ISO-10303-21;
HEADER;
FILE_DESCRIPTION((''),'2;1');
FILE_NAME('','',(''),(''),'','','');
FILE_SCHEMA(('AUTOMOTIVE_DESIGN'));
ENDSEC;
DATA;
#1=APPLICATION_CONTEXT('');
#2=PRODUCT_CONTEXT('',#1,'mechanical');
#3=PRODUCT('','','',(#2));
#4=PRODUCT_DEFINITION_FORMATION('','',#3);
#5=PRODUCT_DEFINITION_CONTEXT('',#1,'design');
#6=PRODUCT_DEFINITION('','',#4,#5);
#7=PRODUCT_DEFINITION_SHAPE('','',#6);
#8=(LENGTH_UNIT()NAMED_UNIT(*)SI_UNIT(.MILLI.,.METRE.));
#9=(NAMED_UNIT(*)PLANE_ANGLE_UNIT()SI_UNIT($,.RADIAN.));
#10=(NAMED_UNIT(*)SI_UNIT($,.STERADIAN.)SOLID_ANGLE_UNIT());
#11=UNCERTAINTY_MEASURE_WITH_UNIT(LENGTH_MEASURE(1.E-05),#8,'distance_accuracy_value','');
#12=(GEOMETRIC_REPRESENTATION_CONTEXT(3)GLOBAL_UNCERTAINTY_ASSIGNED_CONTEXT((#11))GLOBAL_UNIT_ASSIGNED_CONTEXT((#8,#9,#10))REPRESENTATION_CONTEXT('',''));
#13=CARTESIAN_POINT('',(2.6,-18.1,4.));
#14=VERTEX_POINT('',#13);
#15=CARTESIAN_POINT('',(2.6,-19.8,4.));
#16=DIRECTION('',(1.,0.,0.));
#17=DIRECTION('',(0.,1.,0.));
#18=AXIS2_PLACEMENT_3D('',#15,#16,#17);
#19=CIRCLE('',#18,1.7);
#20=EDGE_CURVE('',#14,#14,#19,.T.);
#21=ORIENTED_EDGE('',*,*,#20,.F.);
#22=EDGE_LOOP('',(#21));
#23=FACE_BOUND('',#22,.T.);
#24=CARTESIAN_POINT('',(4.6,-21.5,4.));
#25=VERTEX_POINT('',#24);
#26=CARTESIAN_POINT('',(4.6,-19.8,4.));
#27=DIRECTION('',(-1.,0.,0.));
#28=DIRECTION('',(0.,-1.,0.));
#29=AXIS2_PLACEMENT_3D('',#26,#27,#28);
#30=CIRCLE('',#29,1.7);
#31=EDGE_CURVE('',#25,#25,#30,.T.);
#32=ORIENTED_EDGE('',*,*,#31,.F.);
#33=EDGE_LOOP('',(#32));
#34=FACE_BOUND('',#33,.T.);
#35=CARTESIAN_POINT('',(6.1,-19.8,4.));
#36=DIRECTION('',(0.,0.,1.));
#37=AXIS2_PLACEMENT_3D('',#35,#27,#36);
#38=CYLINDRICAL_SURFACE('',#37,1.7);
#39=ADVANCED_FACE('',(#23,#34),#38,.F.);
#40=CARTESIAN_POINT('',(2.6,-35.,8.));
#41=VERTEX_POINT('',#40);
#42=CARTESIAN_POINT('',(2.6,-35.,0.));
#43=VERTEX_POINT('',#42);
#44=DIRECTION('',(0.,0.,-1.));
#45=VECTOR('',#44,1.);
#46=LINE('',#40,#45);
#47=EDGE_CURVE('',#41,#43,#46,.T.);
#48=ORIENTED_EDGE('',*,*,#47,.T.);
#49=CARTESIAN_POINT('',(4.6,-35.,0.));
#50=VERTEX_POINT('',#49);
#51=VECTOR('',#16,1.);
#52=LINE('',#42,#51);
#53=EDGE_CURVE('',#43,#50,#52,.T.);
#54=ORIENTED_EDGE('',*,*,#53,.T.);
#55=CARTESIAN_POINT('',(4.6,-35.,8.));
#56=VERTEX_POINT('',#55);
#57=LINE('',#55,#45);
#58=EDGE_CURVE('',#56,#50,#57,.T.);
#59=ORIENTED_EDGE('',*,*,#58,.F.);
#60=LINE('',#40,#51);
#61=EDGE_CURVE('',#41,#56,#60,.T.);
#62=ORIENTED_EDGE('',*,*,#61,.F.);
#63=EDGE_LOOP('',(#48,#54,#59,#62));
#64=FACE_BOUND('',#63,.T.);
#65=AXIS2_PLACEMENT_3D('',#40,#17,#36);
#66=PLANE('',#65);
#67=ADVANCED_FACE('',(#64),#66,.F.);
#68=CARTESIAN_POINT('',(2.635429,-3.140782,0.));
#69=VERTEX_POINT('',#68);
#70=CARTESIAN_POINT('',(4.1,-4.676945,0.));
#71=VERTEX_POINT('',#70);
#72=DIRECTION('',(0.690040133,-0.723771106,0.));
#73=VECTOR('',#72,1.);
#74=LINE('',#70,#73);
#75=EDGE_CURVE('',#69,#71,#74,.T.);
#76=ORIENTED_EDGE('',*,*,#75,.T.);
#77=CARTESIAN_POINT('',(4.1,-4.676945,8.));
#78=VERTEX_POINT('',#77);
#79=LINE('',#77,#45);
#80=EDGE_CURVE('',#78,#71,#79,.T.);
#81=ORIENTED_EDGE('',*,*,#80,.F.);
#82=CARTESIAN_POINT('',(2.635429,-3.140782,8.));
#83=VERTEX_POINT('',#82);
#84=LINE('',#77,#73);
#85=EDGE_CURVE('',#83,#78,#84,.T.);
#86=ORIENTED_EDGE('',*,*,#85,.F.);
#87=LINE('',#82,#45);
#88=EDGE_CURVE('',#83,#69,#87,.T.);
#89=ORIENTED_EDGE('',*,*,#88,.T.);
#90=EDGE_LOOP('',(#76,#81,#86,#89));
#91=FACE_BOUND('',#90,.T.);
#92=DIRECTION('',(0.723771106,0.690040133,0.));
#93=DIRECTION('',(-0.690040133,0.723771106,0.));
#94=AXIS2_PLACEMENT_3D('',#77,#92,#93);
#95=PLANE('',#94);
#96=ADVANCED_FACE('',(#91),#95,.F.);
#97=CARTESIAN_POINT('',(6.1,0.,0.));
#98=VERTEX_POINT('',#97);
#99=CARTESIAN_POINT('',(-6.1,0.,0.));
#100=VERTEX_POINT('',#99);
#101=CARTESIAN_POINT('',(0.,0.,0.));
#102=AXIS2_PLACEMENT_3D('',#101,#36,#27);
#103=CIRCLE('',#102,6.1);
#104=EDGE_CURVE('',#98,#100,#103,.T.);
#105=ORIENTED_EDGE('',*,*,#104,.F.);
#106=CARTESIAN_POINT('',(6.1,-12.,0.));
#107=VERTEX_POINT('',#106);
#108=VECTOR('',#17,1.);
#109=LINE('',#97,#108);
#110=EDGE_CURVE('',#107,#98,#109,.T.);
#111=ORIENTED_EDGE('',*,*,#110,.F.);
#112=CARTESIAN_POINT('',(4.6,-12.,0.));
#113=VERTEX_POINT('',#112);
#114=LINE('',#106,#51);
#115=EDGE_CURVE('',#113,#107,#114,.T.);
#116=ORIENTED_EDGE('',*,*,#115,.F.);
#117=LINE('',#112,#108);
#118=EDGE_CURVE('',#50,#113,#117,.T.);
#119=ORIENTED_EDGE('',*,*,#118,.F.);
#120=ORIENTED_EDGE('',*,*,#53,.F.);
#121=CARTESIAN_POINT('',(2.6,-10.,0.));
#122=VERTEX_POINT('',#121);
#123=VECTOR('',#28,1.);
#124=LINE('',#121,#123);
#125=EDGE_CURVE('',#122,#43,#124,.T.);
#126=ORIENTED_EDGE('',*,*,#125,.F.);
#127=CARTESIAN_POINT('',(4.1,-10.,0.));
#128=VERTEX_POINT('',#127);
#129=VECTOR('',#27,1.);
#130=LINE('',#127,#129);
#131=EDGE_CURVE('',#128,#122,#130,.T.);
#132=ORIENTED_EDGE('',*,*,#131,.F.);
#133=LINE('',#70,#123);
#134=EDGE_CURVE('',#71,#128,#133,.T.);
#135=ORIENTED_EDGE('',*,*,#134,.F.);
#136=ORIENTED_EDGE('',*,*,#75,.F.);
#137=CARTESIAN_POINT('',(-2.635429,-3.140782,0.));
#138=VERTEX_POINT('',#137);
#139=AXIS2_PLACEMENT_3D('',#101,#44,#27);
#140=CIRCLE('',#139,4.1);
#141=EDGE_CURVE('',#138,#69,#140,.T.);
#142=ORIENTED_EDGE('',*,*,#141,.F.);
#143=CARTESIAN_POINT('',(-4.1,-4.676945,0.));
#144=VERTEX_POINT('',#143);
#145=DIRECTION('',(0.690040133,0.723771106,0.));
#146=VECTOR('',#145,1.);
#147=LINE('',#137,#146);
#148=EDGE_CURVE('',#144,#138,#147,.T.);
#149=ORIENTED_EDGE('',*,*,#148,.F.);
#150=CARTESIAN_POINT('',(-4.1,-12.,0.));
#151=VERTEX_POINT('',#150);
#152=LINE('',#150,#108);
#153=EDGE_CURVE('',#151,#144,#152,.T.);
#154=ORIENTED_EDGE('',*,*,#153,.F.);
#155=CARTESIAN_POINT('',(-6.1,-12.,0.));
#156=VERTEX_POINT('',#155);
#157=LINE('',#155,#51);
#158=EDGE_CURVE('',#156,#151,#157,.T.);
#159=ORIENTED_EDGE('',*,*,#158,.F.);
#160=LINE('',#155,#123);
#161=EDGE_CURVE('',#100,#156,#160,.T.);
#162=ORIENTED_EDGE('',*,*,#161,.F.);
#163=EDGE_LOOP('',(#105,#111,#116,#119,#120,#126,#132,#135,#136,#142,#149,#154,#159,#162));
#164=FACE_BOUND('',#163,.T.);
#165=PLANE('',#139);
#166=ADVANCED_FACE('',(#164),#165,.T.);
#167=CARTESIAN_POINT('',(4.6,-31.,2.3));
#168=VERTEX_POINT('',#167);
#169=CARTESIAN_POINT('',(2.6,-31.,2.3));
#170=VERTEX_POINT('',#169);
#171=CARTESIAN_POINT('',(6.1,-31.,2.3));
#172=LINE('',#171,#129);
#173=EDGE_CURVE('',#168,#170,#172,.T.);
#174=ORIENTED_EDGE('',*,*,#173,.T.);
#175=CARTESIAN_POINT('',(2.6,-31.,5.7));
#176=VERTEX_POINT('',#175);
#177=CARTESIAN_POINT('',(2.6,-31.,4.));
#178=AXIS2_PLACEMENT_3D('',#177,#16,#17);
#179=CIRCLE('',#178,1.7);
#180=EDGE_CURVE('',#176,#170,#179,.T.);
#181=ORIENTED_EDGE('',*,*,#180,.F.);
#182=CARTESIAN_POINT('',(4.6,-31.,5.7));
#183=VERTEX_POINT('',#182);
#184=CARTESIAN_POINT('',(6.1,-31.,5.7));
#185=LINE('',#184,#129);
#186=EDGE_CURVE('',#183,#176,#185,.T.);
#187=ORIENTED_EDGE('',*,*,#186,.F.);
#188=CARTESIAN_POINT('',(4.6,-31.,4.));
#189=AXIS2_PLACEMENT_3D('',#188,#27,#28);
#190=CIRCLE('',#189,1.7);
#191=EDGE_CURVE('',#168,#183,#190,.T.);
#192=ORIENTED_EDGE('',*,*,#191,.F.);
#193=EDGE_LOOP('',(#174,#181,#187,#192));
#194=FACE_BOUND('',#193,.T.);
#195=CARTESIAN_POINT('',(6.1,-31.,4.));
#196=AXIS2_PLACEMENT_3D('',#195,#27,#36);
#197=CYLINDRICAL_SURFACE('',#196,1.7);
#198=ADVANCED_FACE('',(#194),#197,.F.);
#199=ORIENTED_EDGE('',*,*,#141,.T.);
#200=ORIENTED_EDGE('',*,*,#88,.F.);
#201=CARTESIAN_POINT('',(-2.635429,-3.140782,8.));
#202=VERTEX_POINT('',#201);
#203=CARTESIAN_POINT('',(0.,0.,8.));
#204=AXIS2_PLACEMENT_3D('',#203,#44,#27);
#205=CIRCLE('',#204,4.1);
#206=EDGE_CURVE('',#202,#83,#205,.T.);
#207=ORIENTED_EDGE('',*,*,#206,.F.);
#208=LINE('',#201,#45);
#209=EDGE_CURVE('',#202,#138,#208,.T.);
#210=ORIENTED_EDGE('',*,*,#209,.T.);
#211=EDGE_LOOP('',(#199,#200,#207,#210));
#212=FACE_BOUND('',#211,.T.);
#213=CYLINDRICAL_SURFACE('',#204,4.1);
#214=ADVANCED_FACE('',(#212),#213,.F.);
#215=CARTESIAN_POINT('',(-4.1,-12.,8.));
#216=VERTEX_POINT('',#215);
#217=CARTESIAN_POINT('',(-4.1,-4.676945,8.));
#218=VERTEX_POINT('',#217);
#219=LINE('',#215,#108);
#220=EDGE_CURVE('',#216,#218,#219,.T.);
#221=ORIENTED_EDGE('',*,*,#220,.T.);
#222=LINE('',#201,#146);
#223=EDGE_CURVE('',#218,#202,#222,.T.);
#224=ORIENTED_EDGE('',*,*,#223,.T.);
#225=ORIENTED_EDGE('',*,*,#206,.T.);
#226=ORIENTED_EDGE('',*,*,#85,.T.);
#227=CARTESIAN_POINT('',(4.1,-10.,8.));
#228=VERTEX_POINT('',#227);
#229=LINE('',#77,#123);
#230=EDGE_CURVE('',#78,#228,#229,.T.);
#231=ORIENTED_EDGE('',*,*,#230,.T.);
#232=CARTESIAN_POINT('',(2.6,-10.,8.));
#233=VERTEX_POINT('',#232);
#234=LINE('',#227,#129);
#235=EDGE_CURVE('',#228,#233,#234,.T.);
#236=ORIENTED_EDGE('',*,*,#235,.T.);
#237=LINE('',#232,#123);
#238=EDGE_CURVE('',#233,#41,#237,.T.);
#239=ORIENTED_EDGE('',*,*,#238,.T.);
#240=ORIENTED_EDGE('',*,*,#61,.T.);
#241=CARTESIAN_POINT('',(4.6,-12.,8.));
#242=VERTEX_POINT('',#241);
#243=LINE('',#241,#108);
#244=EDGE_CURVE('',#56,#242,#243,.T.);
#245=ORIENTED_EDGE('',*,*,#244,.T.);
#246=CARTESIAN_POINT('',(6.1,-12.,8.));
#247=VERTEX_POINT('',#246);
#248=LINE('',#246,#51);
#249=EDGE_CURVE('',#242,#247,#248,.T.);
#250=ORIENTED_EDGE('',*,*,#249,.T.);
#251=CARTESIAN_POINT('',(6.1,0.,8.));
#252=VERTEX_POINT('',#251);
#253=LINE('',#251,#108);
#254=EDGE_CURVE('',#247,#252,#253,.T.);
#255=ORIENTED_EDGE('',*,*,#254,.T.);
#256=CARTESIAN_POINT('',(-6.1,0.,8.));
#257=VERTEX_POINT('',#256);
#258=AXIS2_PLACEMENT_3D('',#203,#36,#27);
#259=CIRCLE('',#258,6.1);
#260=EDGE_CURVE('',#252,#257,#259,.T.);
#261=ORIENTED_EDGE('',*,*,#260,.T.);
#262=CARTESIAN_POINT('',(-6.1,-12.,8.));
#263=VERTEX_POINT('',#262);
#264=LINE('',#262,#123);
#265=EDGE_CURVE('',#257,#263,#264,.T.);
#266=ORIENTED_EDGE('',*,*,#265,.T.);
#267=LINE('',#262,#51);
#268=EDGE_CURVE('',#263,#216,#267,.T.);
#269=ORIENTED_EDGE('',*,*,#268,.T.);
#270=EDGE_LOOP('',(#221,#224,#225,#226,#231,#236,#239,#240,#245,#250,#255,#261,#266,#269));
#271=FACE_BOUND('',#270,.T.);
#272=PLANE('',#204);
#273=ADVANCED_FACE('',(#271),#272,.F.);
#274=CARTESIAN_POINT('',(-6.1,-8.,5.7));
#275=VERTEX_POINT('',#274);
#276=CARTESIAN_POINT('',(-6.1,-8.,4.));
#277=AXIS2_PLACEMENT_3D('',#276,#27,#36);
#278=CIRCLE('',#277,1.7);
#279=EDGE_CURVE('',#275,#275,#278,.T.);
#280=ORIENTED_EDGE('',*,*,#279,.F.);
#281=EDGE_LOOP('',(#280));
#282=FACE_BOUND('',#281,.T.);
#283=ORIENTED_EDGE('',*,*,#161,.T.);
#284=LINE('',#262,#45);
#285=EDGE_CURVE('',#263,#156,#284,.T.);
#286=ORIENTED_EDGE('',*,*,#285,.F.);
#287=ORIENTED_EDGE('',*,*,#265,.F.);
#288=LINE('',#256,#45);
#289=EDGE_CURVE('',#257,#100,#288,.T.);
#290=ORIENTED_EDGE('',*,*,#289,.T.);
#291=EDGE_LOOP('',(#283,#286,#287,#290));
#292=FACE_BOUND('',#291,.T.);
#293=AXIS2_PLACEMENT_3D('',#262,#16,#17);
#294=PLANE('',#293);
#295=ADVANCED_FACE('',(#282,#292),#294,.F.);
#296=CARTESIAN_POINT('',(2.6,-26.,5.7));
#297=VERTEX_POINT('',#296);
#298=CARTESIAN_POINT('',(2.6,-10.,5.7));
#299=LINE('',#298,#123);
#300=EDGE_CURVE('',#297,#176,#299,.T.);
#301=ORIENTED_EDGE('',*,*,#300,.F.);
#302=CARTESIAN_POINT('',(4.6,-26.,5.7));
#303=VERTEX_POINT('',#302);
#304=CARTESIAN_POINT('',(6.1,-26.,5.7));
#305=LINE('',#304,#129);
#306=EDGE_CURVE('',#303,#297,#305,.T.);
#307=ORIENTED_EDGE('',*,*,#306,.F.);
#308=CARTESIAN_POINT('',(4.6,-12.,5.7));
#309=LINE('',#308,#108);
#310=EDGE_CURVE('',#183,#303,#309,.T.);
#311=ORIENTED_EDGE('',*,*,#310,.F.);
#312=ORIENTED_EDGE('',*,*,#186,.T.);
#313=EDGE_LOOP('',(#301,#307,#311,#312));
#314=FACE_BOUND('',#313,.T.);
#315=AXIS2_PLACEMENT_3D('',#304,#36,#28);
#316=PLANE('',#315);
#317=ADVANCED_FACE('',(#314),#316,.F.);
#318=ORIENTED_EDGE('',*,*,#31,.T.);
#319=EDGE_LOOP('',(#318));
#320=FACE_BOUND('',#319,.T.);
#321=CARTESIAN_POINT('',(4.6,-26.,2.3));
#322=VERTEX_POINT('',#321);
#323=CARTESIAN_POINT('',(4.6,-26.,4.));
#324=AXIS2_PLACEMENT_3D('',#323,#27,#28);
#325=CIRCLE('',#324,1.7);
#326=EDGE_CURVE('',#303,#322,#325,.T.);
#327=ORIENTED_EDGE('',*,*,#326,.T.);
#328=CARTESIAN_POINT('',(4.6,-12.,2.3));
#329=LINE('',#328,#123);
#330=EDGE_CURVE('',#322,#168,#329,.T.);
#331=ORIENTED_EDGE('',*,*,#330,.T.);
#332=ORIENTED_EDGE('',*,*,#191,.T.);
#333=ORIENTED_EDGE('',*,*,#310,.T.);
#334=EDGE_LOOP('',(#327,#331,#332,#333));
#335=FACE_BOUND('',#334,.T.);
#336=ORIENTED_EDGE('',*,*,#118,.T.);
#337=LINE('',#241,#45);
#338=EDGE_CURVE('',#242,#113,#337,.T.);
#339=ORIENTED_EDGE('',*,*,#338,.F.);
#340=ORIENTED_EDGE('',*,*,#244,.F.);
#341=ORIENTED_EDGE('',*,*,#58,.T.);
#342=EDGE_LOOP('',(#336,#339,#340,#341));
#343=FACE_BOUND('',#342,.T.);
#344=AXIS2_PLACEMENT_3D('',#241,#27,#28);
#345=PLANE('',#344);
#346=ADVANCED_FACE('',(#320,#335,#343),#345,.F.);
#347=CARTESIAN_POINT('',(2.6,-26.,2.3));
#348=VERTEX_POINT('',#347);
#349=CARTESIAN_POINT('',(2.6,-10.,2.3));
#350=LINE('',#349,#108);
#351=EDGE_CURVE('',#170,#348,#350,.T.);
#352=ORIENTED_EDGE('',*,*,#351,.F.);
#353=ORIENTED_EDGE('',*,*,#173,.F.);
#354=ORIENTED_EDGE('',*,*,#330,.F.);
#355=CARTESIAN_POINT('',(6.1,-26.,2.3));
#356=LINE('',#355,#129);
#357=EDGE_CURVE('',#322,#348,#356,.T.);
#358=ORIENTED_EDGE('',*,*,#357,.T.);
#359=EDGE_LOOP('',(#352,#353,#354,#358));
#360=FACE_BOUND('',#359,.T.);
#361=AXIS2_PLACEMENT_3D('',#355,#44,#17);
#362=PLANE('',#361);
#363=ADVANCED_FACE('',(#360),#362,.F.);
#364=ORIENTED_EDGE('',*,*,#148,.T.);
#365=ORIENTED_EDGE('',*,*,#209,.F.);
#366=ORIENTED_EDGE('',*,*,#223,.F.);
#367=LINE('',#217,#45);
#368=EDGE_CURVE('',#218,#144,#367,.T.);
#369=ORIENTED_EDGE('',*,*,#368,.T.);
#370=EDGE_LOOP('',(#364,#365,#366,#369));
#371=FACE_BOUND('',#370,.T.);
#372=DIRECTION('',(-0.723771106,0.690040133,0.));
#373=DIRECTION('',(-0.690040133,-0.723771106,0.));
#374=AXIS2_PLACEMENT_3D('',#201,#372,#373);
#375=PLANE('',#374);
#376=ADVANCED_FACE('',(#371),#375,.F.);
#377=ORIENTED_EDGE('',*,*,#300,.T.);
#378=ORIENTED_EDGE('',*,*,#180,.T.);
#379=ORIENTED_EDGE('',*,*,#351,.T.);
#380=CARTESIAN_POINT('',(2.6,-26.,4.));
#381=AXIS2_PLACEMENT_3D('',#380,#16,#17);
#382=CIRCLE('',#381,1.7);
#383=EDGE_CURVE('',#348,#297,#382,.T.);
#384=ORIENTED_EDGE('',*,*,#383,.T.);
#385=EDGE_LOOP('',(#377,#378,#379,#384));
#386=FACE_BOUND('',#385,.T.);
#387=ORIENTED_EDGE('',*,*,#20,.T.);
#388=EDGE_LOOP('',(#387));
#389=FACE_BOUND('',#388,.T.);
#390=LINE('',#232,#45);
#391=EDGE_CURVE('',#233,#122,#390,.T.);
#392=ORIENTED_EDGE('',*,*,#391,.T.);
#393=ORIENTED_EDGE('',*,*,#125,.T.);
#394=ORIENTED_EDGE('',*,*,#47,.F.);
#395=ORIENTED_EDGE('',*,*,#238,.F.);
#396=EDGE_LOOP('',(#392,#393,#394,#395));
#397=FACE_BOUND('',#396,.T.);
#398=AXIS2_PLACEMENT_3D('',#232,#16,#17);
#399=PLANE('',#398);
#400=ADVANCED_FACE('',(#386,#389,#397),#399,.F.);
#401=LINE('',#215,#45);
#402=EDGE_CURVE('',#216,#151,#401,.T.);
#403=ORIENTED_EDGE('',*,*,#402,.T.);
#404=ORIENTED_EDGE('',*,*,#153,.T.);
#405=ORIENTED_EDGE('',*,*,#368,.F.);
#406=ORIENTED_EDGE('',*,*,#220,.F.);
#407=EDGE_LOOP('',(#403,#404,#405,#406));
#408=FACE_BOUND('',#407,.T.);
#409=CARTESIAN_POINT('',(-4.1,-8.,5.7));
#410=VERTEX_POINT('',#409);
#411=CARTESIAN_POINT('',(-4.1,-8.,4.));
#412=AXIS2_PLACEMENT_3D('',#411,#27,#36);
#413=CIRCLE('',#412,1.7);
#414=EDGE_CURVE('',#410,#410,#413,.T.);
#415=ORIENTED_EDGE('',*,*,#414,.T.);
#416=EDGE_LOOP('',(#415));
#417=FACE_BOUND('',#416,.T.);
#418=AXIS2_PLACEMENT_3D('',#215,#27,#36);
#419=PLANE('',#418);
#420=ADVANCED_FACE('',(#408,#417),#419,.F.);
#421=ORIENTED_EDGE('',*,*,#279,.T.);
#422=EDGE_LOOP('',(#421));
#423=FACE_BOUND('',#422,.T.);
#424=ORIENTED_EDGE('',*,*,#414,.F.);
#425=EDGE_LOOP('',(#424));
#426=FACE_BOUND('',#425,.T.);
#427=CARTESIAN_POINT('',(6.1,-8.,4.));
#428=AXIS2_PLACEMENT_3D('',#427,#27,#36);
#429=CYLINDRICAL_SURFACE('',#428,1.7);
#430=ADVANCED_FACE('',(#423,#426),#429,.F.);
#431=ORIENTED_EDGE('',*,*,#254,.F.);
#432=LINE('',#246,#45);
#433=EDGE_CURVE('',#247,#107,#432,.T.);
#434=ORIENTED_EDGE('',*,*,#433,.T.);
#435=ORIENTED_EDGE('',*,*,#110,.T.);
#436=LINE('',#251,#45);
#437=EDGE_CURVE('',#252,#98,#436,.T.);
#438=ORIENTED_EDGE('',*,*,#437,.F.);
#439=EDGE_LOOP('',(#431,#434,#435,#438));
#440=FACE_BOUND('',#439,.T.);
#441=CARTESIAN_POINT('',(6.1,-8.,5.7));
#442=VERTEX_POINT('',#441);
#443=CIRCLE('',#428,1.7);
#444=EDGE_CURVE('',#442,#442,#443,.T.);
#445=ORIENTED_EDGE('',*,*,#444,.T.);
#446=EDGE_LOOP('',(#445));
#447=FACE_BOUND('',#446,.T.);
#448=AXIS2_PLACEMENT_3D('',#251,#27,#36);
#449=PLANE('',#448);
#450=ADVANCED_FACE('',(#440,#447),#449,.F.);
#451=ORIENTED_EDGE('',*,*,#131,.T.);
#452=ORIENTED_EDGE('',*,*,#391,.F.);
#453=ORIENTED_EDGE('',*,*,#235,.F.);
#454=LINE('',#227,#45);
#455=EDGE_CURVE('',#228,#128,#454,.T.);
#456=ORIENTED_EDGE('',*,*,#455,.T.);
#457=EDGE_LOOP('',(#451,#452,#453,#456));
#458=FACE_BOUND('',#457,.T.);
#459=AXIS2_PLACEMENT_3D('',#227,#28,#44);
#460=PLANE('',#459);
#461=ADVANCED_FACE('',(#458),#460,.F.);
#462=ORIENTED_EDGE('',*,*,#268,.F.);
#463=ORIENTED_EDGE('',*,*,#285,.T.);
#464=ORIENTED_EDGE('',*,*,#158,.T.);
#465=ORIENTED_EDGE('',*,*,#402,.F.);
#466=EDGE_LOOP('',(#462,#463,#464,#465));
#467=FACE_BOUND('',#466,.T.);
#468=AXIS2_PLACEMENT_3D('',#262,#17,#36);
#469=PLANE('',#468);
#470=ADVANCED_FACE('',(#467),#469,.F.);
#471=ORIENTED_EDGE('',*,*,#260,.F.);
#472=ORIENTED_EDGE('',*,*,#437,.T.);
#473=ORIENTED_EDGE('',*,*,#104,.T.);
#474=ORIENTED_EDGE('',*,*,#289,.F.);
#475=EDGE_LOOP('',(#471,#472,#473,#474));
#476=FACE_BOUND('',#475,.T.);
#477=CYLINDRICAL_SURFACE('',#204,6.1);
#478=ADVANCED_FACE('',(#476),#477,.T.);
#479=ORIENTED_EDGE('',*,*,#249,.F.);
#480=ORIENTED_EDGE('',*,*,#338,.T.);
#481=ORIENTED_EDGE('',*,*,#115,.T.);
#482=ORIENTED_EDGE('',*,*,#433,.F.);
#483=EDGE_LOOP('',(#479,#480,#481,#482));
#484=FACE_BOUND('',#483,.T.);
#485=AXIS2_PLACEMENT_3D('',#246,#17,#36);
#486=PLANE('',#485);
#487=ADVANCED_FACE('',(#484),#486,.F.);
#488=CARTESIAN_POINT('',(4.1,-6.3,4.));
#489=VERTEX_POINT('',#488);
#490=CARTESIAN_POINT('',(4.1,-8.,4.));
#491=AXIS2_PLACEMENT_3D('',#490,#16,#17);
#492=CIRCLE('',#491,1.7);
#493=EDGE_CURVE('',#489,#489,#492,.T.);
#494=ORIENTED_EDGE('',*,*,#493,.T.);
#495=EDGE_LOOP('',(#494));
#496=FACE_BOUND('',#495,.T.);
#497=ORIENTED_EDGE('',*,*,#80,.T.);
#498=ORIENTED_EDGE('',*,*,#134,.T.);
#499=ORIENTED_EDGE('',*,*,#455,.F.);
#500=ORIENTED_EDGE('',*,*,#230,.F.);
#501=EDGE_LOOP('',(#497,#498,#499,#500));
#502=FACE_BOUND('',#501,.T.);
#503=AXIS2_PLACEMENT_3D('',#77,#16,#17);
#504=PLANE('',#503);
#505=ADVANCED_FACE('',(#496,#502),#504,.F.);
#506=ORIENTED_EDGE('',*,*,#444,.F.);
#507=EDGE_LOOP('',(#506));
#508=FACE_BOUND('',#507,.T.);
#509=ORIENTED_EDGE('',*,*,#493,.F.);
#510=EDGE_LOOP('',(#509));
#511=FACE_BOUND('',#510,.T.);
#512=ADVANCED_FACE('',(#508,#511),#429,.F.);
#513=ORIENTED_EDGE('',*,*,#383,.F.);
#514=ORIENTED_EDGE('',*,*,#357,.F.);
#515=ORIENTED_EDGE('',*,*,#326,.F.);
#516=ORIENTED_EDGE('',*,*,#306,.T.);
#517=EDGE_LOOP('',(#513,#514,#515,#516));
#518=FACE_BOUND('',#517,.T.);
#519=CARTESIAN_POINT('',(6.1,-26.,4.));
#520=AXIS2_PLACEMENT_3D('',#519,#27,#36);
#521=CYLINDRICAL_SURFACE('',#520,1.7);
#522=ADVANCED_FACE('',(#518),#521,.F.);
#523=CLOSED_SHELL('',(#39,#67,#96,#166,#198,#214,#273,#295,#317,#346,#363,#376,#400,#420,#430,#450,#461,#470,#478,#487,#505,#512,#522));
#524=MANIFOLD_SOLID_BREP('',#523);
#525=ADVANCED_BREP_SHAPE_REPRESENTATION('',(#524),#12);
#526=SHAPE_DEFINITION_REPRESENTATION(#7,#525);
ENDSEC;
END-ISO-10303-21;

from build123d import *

# Parameters (mm, degrees)
RESSALTO_EXTRUS_O1_DEPTH = 8
ESBO_O2_R                = 1.7
CORTE_EXTRUS_O1_DEPTH    = 38.918860742


with BuildPart() as part:
    # Esboço1 → Ressalto-extrusão1 (new body)
    with BuildSketch(Plane.XY):
        with BuildLine():
            Line((4.1, -4.676945082), (2.6354292, -3.140782217))
            ThreePointArc((2.6354292, -3.140782217), (0, 4.1), (-2.6354292, -3.140782217))
            Line((-2.6354292, -3.140782217), (-4.1, -4.676945082))
            Line((-4.1, -4.676945082), (-4.1, -12))
            Line((-4.1, -12), (-6.1, -12))
            Line((-6.1, -12), (-6.1, 0))
            ThreePointArc((-6.1, 0), (0, 6.1), (6.1, 0))
            Line((6.1, 0), (6.1, -12))
            Line((6.1, -12), (4.6, -12))
            Line((4.6, -12), (4.6, -35))
            Line((4.6, -35), (2.6, -35))
            Line((2.6, -35), (2.6, -10))
            Line((2.6, -10), (4.1, -10))
            Line((4.1, -10), (4.1, -4.676945082))
        make_face()
    extrude(amount=RESSALTO_EXTRUS_O1_DEPTH)

    # Esboço2 → Corte-extrusão1 (cut, through all)
    with BuildSketch(Plane.ZY.offset(6.1)):
        with Locations((4, -8)):
            Circle(ESBO_O2_R)
        with Locations(Location((4, -19.8, 0), (0, 0, 270))):
            Circle(ESBO_O2_R)
        with BuildLine():
            Line((5.7, -26), (5.7, -31))
            ThreePointArc((5.7, -31), (4, -32.7), (2.3, -31))
            Line((2.3, -31), (2.3, -26))
            ThreePointArc((2.3, -26), (4, -24.3), (5.7, -26))
        make_face()
    extrude(amount=-CORTE_EXTRUS_O1_DEPTH, mode=Mode.SUBTRACT)


solid = part.part
